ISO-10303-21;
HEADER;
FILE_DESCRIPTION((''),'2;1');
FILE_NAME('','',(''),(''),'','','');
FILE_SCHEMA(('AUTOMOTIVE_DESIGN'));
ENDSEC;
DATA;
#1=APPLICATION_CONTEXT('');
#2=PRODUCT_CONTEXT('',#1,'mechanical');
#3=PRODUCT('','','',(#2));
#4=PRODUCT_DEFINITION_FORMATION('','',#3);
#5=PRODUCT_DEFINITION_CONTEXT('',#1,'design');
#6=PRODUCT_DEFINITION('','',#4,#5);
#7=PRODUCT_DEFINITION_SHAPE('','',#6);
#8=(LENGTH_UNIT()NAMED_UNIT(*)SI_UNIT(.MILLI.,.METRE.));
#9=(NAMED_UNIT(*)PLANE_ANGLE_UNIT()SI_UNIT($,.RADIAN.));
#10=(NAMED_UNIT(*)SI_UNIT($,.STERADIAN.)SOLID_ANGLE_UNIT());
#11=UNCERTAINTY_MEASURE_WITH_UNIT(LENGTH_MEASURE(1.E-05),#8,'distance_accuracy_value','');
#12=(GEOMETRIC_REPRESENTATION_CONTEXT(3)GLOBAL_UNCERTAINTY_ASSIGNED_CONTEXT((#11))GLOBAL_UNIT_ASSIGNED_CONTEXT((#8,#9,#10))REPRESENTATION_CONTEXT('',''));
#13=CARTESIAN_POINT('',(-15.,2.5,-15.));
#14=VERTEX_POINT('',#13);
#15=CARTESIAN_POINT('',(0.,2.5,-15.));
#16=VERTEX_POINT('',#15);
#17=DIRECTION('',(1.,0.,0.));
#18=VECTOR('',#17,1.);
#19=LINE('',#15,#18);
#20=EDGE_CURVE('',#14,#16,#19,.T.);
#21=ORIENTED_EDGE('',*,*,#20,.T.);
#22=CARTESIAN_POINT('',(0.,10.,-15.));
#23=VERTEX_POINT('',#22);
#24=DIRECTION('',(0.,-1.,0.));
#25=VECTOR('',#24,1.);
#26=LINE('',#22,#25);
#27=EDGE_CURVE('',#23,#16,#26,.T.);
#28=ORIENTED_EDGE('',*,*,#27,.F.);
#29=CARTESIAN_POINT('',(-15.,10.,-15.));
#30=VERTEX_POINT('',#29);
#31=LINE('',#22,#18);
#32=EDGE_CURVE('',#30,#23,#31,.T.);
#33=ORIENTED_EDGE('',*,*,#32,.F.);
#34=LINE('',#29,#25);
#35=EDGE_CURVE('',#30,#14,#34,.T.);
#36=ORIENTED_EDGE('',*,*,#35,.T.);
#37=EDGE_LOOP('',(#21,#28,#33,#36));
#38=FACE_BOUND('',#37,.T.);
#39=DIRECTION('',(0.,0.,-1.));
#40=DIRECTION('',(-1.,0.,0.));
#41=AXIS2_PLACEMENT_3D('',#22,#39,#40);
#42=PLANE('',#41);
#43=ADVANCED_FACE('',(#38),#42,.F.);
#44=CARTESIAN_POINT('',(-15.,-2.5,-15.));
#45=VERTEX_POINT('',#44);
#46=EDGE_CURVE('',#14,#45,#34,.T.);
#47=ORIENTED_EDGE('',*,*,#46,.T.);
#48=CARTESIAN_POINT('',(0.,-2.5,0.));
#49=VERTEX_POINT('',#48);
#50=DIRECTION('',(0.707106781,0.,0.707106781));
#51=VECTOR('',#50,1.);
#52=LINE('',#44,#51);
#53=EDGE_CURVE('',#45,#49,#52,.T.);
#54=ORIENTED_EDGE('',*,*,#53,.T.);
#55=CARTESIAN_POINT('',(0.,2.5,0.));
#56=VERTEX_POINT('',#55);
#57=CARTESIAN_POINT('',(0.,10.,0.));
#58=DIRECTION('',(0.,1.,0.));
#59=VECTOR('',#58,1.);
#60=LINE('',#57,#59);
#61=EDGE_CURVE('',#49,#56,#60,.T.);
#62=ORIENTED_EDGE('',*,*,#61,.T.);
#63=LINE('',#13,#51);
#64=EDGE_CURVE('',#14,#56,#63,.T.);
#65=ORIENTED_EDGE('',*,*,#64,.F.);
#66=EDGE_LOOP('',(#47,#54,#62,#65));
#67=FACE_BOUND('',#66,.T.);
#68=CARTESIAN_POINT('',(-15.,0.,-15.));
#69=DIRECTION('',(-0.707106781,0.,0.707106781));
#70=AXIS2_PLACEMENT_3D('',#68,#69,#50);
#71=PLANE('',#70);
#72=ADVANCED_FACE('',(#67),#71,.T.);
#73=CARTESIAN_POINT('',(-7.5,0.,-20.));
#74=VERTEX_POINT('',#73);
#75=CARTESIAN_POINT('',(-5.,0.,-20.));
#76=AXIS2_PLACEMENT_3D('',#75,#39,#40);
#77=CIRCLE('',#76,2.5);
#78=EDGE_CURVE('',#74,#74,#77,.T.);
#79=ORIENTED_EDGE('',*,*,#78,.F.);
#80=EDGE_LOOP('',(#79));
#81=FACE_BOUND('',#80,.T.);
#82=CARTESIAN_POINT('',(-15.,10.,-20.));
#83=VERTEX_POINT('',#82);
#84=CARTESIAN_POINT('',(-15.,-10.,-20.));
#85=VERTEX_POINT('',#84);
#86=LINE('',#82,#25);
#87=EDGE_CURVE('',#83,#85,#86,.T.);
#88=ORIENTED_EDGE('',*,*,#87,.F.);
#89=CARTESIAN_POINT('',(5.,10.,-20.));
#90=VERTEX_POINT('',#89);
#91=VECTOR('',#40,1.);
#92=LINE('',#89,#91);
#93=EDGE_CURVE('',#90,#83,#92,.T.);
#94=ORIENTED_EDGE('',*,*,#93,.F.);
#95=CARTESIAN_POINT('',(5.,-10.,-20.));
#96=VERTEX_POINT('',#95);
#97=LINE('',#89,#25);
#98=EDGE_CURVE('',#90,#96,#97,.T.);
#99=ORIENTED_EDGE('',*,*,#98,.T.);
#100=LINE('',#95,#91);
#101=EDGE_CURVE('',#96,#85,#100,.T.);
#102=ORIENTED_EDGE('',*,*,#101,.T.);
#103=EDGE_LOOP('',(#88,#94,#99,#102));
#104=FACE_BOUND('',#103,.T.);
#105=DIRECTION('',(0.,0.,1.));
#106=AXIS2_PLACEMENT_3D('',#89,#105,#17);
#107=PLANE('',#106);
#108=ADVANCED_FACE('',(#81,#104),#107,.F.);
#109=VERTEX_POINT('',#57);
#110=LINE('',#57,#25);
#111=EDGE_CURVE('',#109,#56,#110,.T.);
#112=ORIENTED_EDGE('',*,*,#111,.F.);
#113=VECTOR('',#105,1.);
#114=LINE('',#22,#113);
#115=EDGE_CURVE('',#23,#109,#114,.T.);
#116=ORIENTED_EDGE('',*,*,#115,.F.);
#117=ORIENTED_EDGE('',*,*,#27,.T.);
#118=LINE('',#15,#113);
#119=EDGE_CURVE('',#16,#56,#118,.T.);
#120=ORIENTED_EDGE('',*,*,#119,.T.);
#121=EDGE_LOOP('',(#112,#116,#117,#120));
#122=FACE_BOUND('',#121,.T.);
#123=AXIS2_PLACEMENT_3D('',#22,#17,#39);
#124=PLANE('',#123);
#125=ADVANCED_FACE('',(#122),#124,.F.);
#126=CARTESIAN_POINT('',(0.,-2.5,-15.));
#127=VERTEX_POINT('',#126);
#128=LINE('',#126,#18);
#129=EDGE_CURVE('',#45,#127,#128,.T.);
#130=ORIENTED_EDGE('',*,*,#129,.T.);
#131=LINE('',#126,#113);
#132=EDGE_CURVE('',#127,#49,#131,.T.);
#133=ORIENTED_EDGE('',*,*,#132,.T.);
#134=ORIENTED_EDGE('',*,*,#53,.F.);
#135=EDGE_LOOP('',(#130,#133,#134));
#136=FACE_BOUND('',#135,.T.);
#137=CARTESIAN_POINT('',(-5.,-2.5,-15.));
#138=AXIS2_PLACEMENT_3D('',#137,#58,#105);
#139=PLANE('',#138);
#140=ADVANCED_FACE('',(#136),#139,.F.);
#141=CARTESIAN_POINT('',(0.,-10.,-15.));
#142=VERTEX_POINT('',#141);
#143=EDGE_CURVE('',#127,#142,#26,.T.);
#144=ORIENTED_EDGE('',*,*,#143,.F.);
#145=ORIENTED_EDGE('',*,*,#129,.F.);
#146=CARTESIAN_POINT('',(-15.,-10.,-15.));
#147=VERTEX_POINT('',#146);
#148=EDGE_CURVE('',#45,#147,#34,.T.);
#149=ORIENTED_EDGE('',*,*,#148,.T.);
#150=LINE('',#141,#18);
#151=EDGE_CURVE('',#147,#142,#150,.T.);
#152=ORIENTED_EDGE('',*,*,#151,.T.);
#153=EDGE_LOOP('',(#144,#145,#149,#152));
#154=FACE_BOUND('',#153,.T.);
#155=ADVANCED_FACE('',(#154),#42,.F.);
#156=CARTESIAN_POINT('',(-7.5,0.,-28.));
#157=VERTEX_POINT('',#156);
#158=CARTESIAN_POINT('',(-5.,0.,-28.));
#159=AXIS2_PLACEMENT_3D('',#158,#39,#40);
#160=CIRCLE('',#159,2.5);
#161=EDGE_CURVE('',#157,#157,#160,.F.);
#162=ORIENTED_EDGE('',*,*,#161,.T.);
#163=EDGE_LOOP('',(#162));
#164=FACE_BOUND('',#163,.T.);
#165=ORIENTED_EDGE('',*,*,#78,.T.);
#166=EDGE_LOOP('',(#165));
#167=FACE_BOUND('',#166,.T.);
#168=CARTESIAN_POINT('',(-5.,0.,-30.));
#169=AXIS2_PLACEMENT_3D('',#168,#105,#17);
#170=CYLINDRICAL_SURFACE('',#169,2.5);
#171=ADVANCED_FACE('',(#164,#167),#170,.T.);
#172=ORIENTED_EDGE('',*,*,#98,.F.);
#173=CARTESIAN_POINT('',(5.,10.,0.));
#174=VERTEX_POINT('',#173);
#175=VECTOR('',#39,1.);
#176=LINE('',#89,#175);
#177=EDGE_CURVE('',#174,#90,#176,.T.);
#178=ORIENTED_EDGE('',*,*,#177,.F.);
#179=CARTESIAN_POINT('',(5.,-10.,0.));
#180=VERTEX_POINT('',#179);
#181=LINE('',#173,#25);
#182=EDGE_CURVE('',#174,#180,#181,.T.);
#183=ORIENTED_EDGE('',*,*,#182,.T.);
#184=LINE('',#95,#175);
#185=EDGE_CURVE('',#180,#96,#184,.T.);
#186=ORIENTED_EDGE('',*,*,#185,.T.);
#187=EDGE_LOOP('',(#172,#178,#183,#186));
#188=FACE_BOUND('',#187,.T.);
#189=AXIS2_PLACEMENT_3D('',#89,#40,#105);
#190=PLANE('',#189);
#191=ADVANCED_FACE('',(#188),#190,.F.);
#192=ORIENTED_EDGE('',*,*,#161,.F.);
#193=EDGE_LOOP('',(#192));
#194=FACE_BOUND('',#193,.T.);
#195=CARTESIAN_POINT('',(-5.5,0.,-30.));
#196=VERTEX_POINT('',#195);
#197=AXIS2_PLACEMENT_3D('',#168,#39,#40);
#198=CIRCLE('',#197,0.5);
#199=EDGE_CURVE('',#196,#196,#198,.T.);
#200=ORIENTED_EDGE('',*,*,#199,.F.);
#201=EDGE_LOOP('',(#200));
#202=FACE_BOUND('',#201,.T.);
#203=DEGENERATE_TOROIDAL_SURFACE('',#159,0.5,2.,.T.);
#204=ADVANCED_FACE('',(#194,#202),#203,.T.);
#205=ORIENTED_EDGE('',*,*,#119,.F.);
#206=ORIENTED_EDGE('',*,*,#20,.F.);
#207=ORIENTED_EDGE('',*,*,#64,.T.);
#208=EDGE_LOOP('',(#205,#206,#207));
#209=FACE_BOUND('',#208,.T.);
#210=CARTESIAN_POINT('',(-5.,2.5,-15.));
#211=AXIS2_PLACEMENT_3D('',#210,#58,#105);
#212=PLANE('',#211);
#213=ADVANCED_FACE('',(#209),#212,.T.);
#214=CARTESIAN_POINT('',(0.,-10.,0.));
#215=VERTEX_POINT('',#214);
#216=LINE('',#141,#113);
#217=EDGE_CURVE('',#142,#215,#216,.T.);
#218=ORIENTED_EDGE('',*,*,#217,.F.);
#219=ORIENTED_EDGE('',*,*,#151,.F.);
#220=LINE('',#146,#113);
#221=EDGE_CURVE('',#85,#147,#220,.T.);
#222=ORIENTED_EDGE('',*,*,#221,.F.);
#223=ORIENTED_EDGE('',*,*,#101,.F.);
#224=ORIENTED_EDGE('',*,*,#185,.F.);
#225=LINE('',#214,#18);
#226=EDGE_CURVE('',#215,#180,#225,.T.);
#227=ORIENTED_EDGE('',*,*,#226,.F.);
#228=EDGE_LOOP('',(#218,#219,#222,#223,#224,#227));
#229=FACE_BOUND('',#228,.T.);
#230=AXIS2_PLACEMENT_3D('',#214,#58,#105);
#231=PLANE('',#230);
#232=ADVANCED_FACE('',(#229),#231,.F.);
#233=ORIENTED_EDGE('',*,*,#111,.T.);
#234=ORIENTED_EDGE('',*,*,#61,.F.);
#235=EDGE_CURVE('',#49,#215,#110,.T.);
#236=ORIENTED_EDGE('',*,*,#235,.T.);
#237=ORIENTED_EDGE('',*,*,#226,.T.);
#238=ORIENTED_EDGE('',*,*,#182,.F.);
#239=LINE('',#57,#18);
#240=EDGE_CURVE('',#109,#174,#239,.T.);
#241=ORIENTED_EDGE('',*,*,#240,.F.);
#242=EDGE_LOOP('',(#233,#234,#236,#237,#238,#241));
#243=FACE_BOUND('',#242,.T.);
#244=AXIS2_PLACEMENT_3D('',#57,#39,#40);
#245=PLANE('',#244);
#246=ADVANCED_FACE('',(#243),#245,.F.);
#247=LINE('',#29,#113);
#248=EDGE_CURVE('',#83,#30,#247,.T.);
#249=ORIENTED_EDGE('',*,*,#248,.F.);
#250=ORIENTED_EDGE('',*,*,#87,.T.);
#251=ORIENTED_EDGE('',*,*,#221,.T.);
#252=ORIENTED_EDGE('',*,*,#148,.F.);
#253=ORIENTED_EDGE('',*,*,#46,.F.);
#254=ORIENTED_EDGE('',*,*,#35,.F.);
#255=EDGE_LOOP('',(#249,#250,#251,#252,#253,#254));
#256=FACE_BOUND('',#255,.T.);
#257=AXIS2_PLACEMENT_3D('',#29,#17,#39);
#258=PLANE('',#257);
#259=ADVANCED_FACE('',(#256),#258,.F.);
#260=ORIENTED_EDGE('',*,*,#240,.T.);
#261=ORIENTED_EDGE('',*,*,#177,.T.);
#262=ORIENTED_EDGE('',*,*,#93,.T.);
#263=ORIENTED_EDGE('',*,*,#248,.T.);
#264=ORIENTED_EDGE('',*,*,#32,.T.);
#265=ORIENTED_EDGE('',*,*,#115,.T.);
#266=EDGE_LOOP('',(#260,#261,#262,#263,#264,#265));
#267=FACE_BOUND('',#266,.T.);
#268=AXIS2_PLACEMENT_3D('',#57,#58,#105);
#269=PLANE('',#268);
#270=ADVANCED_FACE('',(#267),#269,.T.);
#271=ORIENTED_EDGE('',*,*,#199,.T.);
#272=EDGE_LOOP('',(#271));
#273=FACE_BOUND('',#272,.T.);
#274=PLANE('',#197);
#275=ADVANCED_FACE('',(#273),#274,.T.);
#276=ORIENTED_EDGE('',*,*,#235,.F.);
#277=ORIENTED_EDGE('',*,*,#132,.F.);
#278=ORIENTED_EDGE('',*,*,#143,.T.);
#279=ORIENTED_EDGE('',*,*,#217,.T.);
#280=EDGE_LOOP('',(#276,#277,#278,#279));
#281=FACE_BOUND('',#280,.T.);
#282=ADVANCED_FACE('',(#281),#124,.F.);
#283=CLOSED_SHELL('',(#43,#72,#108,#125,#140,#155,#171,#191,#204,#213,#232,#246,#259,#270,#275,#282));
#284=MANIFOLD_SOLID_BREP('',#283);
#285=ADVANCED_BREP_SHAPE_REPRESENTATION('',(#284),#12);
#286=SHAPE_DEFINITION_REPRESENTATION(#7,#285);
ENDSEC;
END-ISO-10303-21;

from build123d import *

# Parameters (mm, degrees)
BOSS_EXTRUDE1_DEPTH = 10
SKETCH3_R           = 2.5
BOSS_EXTRUDE2_DEPTH = 10
FILLET1_R           = 2
RIB14_REACH         = 37
SKETCH5_WALL_W      = 93.213203436
SKETCH5_WALL_H      = 5


with BuildPart() as part:
    # Sketch2 → Boss-Extrude1 (new, symmetric)
    with BuildSketch(Plane(origin=(0, 0, 0), x_dir=(1, 0, 0), z_dir=(0, 1, 0))):
        Polygon((0, 15), (-15, 15), (-15, 20), (5, 20), (5, 0), (0, 0), align=None)
    extrude(amount=BOSS_EXTRUDE1_DEPTH, both=True)

    # Sketch3 → Boss-Extrude2 (add)
    with BuildSketch(Plane(origin=(0, 0, -20), x_dir=(-1, 0, 0), z_dir=(0, 0, -1))):
        with Locations((5, 0)):
            Circle(SKETCH3_R)
    extrude(amount=BOSS_EXTRUDE2_DEPTH)

    # Fillet1
    fillet1_edges = [part.edges().sort_by_distance(p)[0] for p in [
        (-2.5, 0, -30),
    ]]
    fillet(fillet1_edges, radius=FILLET1_R)

    # Sketch5 wall → Rib14 (add, up to next)
    with BuildSketch(Plane(origin=(-7.5, 0, -7.5), x_dir=(0.707106781187, 0, 0.707106781187), z_dir=(0.707106781187, 0, -0.707106781187)), mode=Mode.PRIVATE) as rib14_sk1:
        Rectangle(SKETCH5_WALL_W, SKETCH5_WALL_H)
    rib14_tool1 = extrude(rib14_sk1.sketch, amount=RIB14_REACH, mode=Mode.PRIVATE) - part.part
    add(rib14_tool1.solids().sort_by_distance((-7.5, 0, -7.5))[0])


solid = part.part
